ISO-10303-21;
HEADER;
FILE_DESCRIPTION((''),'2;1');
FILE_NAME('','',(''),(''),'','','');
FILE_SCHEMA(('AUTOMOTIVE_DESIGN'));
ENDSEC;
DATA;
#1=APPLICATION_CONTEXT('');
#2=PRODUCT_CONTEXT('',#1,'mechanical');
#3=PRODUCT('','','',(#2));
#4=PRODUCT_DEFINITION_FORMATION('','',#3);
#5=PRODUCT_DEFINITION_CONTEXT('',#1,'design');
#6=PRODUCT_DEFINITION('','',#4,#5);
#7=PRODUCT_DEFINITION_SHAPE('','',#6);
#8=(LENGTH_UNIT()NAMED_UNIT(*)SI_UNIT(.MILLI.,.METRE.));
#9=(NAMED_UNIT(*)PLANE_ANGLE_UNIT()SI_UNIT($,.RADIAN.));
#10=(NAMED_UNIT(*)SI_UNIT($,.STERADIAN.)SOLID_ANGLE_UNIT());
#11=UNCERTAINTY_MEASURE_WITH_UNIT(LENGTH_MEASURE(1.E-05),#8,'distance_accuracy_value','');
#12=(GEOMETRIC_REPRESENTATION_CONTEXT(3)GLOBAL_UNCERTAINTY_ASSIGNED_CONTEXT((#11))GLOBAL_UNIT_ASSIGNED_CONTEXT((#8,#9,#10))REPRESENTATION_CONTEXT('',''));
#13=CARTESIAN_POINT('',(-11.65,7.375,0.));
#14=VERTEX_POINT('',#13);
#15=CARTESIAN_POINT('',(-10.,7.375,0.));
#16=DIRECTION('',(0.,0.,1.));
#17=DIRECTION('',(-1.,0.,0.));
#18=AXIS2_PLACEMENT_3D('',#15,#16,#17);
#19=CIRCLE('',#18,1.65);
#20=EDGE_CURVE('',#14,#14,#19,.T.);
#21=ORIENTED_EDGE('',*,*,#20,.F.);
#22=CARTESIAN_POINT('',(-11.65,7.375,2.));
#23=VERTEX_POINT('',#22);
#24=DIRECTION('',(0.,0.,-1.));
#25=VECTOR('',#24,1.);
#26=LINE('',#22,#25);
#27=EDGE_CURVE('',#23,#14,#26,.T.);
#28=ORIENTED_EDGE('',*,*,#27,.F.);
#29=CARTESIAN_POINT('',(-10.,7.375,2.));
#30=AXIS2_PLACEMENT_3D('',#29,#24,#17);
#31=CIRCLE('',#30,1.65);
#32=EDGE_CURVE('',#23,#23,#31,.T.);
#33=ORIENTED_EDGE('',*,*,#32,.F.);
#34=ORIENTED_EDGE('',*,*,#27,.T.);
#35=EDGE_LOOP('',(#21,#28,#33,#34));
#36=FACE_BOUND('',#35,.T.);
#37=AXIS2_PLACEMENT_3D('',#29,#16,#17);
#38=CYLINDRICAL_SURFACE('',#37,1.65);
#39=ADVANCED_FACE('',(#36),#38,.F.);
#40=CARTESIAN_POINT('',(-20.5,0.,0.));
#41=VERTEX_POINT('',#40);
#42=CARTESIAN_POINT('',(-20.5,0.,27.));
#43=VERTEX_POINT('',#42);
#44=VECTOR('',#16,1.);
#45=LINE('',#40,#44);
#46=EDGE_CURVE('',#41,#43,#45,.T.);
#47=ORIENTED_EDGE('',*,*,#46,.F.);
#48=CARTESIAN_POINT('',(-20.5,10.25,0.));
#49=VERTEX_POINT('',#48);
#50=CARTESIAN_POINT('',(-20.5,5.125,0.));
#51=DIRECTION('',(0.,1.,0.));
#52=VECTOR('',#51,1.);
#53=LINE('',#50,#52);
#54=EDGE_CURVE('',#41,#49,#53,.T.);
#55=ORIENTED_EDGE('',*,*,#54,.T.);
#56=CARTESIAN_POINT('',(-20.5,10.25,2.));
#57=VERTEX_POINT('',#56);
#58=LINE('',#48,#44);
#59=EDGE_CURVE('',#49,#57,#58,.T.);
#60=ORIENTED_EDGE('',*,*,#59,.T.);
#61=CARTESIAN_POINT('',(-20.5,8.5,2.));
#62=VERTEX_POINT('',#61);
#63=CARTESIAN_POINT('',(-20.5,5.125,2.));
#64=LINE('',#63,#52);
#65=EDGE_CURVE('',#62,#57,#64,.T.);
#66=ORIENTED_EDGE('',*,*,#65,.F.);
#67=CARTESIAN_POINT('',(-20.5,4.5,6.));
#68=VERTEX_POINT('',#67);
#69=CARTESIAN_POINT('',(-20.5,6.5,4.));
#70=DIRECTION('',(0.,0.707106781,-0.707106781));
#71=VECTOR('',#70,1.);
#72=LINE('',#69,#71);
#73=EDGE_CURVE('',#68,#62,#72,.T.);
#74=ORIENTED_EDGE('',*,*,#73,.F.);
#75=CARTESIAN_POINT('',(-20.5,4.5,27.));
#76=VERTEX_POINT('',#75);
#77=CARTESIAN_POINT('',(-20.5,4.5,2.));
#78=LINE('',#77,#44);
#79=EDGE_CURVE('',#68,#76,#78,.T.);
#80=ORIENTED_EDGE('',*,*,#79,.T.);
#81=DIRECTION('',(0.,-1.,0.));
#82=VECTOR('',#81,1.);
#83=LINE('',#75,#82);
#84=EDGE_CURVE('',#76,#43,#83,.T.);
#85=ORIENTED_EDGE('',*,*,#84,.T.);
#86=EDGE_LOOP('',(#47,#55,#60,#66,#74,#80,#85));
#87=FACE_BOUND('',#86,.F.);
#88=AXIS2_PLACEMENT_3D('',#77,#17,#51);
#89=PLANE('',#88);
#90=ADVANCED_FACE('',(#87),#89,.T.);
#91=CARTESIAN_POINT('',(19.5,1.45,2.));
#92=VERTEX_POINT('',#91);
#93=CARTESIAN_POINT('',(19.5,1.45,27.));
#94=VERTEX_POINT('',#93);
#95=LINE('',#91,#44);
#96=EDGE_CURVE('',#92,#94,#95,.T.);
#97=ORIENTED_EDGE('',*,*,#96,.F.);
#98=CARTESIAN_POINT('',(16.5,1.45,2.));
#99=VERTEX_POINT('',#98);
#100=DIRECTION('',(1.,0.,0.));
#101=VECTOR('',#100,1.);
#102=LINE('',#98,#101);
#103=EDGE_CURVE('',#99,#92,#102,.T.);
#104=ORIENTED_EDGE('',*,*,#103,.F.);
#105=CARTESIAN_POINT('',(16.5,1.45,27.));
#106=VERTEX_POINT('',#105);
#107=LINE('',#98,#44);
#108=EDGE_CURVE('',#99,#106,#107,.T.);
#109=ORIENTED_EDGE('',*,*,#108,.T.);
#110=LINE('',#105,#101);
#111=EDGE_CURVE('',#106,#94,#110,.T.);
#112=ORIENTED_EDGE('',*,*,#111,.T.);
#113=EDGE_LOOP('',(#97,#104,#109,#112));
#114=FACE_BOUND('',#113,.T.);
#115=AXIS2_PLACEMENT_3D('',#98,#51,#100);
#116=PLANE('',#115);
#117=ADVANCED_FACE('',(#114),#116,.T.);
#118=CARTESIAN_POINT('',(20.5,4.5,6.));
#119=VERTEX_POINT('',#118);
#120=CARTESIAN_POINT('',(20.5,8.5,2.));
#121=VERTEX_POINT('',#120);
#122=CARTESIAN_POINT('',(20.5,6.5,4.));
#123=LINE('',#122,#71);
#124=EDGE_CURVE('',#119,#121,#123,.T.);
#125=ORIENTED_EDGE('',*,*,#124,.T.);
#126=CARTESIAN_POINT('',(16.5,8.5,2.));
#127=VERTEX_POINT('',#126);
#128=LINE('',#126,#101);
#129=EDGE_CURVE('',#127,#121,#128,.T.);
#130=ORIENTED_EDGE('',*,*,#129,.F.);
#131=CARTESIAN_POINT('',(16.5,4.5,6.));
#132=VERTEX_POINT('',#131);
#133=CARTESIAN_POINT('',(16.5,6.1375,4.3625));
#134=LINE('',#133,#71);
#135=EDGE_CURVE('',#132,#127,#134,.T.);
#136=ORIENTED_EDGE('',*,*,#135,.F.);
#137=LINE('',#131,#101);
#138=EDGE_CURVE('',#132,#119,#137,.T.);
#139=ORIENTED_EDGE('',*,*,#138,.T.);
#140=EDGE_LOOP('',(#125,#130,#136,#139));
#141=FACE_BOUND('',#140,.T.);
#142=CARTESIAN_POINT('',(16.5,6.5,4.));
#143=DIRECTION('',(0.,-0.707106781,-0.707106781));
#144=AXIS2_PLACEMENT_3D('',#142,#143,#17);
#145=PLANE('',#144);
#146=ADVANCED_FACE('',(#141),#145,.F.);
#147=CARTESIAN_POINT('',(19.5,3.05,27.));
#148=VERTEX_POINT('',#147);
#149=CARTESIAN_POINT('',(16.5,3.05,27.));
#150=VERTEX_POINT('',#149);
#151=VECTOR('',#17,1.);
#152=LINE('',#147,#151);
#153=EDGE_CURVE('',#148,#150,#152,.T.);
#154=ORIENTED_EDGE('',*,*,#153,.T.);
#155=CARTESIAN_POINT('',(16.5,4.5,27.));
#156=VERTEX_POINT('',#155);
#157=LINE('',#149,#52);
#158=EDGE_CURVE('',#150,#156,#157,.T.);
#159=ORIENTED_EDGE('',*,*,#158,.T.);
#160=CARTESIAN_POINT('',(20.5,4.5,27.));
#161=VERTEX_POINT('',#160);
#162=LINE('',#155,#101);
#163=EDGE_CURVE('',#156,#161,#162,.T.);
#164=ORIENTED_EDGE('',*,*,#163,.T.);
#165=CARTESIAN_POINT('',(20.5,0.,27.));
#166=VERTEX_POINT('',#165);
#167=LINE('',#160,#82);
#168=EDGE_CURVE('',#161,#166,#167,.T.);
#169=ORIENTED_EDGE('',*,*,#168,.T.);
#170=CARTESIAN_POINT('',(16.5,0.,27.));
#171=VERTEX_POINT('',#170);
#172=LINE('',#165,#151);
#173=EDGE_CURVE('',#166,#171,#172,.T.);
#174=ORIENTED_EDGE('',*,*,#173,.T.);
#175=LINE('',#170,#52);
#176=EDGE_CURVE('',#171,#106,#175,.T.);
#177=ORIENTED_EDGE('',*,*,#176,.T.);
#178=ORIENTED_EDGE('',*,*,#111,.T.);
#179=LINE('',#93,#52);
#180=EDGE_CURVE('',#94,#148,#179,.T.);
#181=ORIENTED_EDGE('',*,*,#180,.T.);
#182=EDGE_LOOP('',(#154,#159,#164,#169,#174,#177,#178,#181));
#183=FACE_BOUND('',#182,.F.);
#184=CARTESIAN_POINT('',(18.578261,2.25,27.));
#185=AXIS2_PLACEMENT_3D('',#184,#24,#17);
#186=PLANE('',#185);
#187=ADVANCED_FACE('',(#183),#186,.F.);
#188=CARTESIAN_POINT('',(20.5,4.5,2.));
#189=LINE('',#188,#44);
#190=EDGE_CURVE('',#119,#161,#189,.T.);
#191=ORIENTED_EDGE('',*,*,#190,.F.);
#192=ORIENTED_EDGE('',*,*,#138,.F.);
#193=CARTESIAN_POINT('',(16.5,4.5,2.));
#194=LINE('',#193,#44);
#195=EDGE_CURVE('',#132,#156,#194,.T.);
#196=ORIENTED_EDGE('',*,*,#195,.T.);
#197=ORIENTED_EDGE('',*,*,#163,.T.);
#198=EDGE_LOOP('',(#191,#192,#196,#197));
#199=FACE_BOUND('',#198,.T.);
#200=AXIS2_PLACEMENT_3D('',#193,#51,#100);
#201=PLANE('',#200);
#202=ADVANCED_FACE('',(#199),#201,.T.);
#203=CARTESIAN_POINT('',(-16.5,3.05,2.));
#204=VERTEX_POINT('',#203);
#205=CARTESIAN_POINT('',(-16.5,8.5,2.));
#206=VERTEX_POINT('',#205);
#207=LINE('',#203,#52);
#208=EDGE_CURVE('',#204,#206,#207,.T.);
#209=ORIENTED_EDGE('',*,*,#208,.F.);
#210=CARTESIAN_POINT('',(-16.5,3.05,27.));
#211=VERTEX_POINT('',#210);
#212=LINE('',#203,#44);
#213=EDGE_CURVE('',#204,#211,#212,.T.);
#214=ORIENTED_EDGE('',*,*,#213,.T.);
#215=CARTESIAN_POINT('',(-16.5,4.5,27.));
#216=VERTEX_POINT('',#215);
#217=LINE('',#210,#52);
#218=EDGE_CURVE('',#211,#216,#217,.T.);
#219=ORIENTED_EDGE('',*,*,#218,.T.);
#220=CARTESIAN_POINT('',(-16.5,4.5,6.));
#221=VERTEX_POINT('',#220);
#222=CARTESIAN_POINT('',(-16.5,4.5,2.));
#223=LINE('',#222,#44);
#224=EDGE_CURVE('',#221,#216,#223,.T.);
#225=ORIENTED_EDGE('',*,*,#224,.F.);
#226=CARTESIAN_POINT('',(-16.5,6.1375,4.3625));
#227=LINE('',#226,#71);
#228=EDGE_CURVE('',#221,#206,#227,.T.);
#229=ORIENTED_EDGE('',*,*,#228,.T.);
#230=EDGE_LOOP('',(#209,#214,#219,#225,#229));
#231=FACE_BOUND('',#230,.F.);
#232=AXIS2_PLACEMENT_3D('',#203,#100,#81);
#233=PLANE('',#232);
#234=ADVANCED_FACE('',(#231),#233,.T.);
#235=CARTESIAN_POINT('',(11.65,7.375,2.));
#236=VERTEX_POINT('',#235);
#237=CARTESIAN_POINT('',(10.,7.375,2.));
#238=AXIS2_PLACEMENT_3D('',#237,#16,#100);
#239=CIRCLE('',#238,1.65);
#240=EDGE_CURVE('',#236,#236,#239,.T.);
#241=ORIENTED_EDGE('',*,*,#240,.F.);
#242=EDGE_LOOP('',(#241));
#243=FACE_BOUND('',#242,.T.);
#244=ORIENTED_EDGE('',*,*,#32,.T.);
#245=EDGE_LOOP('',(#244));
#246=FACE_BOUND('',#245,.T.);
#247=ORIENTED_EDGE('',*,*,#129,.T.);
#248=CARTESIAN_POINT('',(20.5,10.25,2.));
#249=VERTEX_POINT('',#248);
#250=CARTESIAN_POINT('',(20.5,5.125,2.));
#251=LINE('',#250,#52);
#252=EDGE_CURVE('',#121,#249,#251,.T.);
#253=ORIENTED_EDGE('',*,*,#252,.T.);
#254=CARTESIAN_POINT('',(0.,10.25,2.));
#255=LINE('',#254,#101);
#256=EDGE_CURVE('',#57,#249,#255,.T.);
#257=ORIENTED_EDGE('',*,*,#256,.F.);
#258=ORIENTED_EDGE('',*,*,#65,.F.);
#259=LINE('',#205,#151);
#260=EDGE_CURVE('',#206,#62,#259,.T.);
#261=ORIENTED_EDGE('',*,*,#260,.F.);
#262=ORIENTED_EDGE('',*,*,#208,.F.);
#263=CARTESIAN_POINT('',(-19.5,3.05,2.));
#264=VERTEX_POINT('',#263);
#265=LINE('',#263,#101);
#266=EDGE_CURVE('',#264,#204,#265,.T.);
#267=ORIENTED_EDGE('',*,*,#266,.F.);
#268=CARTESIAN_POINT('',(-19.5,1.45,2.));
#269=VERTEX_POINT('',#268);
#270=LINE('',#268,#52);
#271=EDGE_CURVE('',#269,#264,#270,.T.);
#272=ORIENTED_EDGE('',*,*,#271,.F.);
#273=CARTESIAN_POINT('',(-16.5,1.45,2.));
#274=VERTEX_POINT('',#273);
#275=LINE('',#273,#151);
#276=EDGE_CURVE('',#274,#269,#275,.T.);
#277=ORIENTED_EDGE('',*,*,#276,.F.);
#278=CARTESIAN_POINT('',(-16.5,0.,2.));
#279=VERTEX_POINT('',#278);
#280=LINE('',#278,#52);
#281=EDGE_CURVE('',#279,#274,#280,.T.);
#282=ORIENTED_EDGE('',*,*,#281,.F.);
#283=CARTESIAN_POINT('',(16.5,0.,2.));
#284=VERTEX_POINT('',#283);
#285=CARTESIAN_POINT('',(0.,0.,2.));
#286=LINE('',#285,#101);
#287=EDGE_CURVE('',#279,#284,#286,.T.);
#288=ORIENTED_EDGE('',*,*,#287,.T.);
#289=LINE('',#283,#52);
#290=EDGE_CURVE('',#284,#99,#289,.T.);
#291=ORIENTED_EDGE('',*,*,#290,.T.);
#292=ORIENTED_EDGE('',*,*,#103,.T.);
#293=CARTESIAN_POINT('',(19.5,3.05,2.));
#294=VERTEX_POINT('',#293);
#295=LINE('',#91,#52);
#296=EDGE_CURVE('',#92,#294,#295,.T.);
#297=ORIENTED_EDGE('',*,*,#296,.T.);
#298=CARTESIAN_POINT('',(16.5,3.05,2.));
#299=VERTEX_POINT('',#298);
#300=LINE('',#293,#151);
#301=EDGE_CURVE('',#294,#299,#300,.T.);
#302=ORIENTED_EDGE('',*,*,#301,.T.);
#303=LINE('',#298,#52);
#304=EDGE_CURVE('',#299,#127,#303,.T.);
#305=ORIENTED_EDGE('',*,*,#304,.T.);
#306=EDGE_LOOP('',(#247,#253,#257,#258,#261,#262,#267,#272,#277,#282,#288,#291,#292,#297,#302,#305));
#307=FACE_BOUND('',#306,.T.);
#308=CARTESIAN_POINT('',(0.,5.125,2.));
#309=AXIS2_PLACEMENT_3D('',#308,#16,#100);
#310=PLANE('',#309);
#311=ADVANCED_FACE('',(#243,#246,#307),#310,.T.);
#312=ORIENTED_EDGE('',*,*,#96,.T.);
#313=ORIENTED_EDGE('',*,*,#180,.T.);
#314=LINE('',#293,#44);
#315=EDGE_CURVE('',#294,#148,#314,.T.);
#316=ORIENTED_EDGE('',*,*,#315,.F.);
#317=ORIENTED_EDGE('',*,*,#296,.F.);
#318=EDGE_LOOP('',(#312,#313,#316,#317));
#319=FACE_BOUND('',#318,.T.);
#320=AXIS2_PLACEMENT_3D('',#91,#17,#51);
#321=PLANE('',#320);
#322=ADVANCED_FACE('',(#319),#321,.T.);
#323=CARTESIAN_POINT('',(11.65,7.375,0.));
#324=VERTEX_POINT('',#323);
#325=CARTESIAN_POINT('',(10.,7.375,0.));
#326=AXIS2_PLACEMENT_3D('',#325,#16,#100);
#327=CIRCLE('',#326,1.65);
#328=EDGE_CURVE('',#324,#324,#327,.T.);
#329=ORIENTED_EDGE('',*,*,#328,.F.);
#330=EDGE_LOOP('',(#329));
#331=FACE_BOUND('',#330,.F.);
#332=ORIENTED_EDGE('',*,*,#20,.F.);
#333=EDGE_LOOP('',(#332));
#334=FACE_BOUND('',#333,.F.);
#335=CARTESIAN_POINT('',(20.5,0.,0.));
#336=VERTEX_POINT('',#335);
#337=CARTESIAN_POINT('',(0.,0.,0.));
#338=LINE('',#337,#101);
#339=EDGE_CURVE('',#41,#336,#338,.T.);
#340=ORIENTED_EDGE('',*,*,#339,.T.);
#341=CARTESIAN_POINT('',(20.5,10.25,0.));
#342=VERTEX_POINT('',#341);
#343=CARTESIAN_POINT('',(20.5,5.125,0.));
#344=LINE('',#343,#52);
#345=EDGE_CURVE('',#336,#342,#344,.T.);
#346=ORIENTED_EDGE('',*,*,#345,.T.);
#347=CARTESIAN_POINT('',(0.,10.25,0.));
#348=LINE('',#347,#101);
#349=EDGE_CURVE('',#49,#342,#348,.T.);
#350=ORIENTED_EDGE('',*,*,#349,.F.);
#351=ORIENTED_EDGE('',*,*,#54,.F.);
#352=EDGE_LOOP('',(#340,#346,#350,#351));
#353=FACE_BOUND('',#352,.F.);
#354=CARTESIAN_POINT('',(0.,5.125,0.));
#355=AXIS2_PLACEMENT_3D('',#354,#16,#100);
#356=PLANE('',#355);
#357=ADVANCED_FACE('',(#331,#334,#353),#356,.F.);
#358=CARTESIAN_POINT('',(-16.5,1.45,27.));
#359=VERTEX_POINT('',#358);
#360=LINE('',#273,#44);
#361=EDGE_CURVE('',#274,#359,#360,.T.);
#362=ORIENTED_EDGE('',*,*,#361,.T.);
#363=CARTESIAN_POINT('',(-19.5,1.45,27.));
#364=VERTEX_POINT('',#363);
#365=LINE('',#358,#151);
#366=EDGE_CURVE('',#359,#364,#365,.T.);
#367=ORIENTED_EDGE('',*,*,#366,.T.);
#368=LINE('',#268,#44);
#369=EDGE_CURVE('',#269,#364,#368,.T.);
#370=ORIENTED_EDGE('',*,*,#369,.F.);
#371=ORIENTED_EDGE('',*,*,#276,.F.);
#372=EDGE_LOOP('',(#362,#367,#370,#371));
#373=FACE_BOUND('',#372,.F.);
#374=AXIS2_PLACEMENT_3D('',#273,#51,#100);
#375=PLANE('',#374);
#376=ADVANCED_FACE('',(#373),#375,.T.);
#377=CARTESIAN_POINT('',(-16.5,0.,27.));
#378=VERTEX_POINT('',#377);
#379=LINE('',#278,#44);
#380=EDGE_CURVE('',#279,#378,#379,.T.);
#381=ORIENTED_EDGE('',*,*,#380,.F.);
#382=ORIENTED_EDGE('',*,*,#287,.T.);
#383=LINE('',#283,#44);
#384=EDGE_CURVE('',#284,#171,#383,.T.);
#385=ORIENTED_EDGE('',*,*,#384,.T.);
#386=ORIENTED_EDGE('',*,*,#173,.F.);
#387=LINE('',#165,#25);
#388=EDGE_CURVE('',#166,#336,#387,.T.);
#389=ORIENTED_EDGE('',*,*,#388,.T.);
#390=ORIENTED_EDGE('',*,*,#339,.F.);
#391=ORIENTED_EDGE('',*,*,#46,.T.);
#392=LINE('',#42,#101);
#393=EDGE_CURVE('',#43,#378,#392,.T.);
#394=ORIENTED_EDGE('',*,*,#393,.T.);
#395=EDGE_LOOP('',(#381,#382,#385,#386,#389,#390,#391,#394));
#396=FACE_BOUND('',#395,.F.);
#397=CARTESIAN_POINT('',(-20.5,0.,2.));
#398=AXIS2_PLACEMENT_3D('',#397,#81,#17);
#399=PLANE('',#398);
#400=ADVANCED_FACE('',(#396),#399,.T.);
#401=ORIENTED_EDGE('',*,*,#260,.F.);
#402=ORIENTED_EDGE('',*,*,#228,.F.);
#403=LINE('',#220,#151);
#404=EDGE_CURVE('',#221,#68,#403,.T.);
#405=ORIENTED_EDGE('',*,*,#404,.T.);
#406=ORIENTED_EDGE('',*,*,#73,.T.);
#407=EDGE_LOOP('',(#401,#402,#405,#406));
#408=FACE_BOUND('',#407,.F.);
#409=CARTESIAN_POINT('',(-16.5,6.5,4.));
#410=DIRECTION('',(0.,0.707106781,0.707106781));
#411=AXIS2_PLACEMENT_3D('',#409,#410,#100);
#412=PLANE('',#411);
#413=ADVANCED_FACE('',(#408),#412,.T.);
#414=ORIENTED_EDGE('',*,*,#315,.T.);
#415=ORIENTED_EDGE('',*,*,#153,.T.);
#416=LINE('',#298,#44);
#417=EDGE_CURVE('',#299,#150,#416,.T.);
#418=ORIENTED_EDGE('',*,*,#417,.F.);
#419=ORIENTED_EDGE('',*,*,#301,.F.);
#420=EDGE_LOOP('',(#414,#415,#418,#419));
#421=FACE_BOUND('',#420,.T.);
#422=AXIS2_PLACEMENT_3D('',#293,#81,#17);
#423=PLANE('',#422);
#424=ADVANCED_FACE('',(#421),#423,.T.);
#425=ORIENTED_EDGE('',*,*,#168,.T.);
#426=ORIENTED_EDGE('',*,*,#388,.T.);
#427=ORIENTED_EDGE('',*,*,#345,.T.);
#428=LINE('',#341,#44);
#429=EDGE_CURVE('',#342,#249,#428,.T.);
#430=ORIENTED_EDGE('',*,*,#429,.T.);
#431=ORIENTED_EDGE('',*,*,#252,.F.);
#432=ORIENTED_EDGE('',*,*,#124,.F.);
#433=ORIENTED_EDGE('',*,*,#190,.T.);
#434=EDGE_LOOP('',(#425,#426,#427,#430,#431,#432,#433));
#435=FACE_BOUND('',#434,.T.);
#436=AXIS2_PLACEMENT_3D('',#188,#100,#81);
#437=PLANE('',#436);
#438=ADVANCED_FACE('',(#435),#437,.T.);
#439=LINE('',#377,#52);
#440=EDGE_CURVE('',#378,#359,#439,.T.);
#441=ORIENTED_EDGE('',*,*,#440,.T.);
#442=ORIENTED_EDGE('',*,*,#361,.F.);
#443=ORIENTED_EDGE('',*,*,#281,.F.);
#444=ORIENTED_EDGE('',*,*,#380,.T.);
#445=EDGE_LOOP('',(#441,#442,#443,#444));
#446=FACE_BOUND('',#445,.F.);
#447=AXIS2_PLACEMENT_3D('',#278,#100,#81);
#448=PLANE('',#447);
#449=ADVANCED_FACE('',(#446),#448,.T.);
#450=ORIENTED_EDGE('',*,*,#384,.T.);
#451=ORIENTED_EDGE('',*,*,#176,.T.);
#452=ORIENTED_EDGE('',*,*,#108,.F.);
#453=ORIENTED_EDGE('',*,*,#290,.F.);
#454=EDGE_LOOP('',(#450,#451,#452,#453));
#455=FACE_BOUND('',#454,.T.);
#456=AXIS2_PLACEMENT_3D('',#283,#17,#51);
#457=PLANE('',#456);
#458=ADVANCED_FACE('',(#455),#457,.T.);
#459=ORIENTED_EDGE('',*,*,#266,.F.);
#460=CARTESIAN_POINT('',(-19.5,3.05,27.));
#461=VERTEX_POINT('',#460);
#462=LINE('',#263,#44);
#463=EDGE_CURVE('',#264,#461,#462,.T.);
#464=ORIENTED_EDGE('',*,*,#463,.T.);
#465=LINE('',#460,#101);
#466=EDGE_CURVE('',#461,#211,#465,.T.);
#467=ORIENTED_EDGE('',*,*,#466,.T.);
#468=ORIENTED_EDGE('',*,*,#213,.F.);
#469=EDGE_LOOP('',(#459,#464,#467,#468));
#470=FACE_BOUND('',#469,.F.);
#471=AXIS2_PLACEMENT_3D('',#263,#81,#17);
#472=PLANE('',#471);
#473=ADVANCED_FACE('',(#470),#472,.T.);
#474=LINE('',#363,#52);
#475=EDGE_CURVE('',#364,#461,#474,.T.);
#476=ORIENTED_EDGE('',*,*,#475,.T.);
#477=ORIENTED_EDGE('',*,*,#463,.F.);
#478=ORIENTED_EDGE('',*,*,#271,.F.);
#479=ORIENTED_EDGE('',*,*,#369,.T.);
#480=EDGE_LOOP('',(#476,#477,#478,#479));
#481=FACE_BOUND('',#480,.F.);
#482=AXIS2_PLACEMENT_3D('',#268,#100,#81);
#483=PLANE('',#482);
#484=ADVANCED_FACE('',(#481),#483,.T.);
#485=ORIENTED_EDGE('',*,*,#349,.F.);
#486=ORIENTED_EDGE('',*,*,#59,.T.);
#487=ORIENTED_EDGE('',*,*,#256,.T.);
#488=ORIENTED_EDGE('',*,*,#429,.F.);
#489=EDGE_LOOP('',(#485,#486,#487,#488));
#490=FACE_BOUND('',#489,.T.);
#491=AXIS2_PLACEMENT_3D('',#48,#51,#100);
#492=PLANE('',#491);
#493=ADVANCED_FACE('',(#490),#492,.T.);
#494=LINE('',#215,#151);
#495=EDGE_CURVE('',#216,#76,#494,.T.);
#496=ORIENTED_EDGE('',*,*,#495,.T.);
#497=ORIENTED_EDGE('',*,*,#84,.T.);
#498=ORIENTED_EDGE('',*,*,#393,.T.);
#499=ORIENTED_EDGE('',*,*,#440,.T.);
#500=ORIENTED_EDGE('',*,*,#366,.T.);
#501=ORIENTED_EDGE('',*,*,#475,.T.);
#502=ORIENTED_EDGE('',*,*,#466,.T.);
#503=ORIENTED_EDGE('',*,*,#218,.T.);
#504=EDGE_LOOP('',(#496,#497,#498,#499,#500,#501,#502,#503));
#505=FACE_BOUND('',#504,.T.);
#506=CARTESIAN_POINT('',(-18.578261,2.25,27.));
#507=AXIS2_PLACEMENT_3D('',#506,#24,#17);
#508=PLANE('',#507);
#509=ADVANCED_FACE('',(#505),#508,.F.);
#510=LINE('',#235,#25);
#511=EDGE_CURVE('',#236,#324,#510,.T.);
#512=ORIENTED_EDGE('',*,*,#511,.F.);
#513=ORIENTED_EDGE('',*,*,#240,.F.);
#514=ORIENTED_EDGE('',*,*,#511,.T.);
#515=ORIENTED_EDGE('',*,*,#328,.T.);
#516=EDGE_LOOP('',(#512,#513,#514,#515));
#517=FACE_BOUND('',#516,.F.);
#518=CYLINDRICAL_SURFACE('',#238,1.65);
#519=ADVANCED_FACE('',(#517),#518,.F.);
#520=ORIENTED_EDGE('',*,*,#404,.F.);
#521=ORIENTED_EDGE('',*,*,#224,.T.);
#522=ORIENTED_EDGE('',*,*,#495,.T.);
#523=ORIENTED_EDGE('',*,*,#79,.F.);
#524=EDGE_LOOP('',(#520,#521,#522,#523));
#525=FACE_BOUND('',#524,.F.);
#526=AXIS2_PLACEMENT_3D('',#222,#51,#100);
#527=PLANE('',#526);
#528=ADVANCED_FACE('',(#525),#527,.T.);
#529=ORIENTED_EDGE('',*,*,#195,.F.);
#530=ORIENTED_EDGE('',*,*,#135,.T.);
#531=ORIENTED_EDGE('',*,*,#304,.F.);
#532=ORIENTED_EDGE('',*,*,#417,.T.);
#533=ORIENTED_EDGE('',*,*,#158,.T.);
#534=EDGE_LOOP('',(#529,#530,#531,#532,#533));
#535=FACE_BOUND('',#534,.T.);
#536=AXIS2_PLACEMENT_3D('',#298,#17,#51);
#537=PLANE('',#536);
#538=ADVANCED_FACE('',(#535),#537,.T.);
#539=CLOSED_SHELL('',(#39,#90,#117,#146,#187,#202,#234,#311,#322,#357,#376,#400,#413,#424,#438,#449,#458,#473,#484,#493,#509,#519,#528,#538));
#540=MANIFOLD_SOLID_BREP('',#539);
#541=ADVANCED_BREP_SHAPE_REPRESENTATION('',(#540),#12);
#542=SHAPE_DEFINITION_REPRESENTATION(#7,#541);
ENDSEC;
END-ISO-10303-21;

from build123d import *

# Parameters (mm, degrees)
SKETCH_W     = 41
SKETCH_H     = 10.25
PAD_DEPTH    = 2
PAD001_DEPTH = 25
SKETCH003_R  = 1.65
POCKET_DEPTH = 102.301798
CHAMFER_SIZE = 4


with BuildPart() as part:
    # Sketch → Pad (new body)
    with BuildSketch(Plane.XY):
        with Locations((0, 5.125)):
            Rectangle(SKETCH_W, SKETCH_H)
    extrude(amount=PAD_DEPTH)

    # Sketch002 (on Face6 of Pad) → Pad001 (join)
    with BuildSketch(Plane.XY.offset(2)):
        Polygon((16.5, 4.5), (20.5, 4.5), (20.5, 0), (16.5, 0), (16.5, 1.45), (19.5, 1.45), (19.5, 3.05), (16.5, 3.05), align=None)
    pad001 = extrude(amount=PAD001_DEPTH)

    # Sketch003 (on Face5 of Pad001) → Pocket (cut, through all)
    with BuildSketch(Plane.XY.offset(2)):
        with Locations((10, 7.375)):
            Circle(SKETCH003_R)
    pocket = extrude(amount=-POCKET_DEPTH, mode=Mode.SUBTRACT)

    # Mirrored: Pocket, Pad001 across Sketch003 V_Axis
    add(pocket.mirror(Plane(origin=(0, 0, 2), x_dir=(0, 0, 1), z_dir=(1, 0, 0))), mode=Mode.SUBTRACT)
    add(pad001.mirror(Plane(origin=(0, 0, 2), x_dir=(0, 0, 1), z_dir=(1, 0, 0))))

    # Chamfer
    chamfer_edges = [part.edges().sort_by_distance(p)[0] for p in [
        (18.5, 4.5, 2),
        (-18.5, 4.5, 2),
    ]]
    chamfer(chamfer_edges, length=CHAMFER_SIZE)


solid = part.part
